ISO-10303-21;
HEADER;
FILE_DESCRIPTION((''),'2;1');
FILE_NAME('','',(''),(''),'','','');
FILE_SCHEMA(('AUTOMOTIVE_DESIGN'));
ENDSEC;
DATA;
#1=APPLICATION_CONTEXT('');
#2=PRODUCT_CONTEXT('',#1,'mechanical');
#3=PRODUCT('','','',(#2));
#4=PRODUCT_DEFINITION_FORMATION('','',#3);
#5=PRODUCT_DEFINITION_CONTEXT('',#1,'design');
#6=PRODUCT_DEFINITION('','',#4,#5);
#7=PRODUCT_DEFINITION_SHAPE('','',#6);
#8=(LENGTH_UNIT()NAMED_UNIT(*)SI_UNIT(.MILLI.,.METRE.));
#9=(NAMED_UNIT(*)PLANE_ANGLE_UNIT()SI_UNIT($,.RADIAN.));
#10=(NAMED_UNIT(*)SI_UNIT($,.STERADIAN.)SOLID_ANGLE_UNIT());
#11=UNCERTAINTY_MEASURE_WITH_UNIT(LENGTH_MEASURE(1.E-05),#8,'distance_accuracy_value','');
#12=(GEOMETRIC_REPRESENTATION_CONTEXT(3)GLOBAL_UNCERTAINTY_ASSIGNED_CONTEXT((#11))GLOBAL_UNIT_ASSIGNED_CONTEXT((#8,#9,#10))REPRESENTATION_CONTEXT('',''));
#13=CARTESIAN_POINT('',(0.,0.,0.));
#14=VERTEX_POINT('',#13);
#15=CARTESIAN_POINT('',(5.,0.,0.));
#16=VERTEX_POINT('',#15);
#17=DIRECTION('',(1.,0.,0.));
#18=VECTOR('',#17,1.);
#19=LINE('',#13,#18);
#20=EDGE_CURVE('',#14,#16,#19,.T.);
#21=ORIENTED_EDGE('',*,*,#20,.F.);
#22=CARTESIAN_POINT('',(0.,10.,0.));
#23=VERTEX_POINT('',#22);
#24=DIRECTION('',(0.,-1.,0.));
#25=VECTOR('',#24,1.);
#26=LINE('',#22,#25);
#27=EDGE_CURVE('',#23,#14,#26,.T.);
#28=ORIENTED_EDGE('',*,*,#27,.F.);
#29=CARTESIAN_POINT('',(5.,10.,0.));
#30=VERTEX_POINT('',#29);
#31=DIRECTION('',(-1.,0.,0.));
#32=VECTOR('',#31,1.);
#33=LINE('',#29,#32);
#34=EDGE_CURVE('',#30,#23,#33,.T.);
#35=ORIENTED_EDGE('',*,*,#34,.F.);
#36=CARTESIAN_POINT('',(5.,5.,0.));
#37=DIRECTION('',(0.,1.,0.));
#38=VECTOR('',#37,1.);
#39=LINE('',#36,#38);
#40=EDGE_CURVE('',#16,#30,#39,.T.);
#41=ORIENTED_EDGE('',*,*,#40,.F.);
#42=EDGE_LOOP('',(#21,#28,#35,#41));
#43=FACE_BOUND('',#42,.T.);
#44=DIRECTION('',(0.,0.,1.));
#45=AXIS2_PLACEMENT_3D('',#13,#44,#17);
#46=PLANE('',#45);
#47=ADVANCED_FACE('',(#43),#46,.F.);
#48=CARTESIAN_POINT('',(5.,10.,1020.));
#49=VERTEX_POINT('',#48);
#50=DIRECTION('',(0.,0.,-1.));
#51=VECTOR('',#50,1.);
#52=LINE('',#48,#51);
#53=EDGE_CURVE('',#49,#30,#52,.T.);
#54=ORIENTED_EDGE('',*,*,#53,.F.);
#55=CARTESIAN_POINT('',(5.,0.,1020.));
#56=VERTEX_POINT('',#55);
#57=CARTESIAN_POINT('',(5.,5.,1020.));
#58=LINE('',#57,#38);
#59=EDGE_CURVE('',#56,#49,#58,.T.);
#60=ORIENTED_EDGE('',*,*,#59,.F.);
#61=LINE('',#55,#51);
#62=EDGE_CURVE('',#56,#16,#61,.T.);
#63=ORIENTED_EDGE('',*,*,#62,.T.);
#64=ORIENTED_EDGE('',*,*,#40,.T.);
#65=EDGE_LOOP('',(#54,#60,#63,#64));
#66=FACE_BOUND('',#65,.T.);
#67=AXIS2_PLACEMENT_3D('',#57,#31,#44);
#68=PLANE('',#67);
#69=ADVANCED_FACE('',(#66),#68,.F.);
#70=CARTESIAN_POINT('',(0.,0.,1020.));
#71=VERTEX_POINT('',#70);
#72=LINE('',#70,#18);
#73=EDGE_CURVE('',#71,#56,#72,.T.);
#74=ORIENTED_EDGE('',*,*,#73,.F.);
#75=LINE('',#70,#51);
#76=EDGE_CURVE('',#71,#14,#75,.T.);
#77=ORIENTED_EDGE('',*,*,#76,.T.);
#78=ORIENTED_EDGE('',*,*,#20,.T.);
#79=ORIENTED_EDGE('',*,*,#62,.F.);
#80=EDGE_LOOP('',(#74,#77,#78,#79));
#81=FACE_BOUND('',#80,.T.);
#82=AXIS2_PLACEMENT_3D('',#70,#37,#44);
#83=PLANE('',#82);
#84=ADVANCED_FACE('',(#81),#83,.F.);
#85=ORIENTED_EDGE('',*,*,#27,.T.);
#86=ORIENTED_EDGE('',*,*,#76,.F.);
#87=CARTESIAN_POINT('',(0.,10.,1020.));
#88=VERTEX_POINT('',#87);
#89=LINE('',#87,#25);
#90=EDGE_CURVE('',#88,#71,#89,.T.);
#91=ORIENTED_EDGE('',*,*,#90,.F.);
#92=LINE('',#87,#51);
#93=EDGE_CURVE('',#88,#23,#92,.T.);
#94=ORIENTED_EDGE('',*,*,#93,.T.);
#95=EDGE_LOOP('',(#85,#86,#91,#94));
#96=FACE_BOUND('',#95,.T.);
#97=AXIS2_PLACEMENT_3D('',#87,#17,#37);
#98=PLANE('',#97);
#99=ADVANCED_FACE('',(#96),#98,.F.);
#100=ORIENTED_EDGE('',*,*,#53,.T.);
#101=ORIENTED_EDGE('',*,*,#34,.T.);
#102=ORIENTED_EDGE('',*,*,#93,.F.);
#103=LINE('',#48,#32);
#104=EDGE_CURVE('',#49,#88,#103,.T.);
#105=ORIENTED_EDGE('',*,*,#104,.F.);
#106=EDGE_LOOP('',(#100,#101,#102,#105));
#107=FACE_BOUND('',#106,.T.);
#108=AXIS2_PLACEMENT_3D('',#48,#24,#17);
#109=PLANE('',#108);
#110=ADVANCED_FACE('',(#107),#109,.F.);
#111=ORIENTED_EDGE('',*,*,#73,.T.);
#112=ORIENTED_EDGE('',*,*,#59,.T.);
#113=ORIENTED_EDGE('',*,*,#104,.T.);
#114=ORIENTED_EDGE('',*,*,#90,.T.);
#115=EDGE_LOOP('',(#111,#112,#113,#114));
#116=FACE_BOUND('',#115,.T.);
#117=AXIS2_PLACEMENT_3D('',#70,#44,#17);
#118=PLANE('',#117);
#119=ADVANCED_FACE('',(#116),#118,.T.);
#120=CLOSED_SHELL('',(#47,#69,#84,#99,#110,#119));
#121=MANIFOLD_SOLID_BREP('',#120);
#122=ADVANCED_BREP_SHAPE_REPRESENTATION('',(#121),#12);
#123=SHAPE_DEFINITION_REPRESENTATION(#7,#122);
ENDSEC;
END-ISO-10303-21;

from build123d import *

# Parameters (mm, degrees)
BOSS_EXTRUDE1_DEPTH = 1020


with BuildPart() as part:
    # Sketch1 → Boss-Extrude1 (new body)
    with BuildSketch(Plane.XY):
        Polygon((0, 10), (0, 0), (5, 0), (5, 5), (5, 10), align=None)
    extrude(amount=BOSS_EXTRUDE1_DEPTH)


solid = part.part
